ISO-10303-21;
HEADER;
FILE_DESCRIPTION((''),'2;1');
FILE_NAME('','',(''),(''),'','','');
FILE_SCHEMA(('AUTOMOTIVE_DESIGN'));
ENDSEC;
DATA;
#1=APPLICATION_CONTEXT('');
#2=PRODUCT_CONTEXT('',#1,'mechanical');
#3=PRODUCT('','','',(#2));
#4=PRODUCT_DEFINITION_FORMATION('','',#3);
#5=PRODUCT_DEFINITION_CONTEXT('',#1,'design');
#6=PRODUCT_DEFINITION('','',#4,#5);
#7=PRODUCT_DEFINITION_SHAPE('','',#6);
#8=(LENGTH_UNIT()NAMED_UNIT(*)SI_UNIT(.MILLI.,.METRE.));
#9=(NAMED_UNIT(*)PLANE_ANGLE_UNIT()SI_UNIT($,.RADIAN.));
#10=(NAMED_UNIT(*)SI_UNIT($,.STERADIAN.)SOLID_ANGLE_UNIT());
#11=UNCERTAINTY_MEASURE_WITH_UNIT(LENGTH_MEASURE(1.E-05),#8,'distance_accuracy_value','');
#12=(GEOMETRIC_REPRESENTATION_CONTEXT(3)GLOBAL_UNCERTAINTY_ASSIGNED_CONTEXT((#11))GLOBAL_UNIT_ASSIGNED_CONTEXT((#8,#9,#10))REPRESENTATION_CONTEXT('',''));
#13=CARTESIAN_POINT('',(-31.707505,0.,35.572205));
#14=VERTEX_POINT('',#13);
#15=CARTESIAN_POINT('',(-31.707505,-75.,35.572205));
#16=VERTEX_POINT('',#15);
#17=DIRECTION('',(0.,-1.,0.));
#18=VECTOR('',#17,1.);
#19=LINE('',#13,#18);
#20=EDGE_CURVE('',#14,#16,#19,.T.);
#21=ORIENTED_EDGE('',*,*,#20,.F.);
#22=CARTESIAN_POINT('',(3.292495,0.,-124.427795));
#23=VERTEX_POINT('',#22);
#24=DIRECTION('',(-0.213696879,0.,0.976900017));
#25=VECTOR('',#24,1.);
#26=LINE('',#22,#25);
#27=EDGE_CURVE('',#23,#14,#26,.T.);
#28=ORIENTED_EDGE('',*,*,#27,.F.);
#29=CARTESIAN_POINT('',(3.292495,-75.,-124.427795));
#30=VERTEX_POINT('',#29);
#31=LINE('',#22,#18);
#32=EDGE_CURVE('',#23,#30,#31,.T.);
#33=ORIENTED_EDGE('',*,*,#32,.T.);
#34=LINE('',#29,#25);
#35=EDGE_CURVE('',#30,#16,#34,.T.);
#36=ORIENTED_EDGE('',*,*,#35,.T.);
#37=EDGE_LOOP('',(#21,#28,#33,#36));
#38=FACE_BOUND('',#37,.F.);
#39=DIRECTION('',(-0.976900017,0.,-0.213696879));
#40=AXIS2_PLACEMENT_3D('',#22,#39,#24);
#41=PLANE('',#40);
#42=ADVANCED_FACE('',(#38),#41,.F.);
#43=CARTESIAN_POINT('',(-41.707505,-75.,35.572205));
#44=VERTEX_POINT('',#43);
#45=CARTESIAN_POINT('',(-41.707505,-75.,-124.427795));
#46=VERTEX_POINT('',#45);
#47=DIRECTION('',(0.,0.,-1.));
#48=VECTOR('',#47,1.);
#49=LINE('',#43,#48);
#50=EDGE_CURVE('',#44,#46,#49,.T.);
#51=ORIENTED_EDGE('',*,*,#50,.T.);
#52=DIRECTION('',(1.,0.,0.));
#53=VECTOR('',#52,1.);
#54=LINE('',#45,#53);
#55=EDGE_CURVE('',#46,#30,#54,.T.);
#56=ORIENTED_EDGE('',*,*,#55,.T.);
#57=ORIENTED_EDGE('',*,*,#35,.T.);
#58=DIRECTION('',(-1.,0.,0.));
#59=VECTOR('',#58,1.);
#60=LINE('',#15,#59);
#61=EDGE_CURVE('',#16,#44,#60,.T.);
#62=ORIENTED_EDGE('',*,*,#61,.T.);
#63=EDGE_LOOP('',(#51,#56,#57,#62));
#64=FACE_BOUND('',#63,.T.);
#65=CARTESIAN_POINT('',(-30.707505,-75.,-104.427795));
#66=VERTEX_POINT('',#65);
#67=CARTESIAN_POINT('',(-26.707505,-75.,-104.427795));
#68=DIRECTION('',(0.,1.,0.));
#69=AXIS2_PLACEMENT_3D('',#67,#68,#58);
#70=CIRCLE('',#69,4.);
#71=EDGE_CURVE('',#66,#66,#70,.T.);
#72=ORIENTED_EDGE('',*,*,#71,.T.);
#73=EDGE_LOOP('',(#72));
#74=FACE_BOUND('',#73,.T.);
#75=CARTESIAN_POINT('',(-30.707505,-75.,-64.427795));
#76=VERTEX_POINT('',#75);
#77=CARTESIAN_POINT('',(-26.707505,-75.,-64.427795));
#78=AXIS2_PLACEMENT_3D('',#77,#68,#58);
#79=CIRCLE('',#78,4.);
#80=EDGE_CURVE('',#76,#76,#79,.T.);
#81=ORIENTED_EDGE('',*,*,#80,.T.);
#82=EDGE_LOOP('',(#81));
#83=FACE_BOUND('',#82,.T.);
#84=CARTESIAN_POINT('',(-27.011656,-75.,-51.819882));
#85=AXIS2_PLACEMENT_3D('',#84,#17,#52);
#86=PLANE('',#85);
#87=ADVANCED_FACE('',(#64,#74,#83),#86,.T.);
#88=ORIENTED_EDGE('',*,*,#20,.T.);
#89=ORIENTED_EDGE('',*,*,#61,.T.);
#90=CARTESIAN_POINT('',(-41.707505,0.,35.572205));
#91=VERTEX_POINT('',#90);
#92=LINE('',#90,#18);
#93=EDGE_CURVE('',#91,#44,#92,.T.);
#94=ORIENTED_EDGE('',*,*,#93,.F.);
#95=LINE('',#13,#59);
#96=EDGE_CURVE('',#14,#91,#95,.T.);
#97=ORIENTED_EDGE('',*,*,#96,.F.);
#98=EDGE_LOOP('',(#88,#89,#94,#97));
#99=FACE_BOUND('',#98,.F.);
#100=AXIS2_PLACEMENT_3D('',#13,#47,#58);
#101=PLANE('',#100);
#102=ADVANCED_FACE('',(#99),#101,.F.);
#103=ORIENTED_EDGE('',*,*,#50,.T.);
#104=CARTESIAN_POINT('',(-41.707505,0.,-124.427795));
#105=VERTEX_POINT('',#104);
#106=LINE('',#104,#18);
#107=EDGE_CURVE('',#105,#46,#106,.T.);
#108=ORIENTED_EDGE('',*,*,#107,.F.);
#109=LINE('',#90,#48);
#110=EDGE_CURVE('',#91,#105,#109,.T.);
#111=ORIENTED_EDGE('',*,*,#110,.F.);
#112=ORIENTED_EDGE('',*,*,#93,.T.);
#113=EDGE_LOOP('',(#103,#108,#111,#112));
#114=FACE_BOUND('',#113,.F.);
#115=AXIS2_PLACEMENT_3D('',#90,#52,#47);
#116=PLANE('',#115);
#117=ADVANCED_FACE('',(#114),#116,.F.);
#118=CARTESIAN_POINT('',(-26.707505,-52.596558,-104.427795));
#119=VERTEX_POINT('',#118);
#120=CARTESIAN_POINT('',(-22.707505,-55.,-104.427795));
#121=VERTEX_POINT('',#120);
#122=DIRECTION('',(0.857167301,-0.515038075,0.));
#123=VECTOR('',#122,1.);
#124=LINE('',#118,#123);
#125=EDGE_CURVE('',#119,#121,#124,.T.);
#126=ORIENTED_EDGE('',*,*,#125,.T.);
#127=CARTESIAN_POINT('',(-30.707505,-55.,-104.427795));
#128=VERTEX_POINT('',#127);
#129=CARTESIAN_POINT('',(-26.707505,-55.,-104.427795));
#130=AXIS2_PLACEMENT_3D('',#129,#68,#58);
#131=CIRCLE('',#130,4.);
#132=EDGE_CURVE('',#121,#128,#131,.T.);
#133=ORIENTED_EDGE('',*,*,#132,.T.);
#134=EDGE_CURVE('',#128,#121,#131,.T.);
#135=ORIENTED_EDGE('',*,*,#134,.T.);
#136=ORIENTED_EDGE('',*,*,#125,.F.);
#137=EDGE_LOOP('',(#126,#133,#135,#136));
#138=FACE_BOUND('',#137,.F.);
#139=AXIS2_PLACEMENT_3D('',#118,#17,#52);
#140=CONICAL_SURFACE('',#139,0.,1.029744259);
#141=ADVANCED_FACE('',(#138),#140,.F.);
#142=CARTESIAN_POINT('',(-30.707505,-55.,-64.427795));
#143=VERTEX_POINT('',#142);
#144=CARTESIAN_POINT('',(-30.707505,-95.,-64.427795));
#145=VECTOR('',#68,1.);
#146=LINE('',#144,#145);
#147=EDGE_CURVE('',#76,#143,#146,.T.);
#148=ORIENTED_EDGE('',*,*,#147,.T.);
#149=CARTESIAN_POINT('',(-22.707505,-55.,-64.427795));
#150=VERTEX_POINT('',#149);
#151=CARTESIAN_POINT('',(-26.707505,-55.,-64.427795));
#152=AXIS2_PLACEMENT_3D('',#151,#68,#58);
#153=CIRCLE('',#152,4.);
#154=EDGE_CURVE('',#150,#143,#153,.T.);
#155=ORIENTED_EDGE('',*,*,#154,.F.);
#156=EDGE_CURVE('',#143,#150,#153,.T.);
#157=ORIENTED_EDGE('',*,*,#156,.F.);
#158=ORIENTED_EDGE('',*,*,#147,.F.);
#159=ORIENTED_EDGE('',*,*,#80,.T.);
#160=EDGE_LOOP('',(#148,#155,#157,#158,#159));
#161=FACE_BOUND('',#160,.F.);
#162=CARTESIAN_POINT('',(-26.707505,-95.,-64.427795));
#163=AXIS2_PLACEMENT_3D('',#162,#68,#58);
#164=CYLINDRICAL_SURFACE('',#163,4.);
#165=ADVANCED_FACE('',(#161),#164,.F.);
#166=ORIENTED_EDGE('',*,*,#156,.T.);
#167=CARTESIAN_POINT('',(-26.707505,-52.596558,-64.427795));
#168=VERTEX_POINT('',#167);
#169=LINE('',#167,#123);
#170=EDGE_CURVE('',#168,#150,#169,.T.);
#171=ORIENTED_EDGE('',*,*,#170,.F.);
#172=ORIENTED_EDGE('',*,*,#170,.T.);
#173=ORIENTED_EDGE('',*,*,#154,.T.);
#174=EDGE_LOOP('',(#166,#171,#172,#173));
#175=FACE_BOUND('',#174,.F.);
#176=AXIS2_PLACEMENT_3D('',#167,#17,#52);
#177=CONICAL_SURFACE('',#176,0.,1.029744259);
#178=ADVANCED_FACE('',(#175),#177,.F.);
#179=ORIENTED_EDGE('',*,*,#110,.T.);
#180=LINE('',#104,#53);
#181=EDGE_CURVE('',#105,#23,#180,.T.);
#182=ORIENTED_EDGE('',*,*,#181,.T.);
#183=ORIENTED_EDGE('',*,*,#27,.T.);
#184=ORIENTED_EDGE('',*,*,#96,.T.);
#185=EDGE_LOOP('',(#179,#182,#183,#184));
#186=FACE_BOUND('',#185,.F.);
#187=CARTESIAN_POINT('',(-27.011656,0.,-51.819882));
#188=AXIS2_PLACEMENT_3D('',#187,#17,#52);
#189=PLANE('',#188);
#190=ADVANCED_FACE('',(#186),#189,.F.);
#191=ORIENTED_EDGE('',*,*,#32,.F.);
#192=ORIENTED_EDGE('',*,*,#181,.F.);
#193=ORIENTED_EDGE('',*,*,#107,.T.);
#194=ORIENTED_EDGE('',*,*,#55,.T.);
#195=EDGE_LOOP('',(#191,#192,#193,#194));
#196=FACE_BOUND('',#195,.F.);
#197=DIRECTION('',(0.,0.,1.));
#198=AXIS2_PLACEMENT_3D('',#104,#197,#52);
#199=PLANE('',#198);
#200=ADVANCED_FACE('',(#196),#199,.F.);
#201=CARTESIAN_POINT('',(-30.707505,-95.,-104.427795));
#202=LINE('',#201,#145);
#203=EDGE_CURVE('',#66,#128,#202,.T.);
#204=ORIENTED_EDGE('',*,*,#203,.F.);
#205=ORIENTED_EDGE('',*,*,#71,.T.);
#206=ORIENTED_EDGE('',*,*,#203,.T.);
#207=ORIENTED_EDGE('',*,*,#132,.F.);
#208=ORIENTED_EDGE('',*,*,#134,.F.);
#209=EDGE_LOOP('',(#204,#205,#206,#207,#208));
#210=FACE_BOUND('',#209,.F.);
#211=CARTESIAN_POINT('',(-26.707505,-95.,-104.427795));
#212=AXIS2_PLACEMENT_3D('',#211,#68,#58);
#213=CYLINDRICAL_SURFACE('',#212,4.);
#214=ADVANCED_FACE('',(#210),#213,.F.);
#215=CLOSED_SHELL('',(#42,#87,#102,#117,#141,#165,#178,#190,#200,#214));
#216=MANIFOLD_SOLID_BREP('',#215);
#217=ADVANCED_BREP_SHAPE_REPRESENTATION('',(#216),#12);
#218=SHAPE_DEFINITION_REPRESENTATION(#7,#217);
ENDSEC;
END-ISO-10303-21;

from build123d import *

# Parameters (mm, degrees)
F1_DEPTH = 75
F3_D     = 8
F3_DEPTH = 20
F3_TIP   = 2.4034424761


with BuildPart() as f1:
    # F0 (on Front) → F1 (new body)
    with BuildSketch(Plane.XZ):
        Polygon((-31.7075045779, 35.5722052749), (-41.7075045779, 35.5722052749), (-41.7075045779, -124.4277947251), (3.2924954221, -124.4277947251), align=None)
    extrude(amount=F1_DEPTH)

    # F3
    with Locations(Plane.XZ.offset(75)):
        with Locations((-26.7075045779, -64.4277947251), (-26.7075045779, -104.4277947251)):
            Hole(F3_D / 2, depth=F3_DEPTH)
            with Locations((0, 0, -(F3_DEPTH + F3_TIP / 2))):  # 118° drill point
                Cone(0, F3_D / 2, F3_TIP, mode=Mode.SUBTRACT)


solid = f1.part
